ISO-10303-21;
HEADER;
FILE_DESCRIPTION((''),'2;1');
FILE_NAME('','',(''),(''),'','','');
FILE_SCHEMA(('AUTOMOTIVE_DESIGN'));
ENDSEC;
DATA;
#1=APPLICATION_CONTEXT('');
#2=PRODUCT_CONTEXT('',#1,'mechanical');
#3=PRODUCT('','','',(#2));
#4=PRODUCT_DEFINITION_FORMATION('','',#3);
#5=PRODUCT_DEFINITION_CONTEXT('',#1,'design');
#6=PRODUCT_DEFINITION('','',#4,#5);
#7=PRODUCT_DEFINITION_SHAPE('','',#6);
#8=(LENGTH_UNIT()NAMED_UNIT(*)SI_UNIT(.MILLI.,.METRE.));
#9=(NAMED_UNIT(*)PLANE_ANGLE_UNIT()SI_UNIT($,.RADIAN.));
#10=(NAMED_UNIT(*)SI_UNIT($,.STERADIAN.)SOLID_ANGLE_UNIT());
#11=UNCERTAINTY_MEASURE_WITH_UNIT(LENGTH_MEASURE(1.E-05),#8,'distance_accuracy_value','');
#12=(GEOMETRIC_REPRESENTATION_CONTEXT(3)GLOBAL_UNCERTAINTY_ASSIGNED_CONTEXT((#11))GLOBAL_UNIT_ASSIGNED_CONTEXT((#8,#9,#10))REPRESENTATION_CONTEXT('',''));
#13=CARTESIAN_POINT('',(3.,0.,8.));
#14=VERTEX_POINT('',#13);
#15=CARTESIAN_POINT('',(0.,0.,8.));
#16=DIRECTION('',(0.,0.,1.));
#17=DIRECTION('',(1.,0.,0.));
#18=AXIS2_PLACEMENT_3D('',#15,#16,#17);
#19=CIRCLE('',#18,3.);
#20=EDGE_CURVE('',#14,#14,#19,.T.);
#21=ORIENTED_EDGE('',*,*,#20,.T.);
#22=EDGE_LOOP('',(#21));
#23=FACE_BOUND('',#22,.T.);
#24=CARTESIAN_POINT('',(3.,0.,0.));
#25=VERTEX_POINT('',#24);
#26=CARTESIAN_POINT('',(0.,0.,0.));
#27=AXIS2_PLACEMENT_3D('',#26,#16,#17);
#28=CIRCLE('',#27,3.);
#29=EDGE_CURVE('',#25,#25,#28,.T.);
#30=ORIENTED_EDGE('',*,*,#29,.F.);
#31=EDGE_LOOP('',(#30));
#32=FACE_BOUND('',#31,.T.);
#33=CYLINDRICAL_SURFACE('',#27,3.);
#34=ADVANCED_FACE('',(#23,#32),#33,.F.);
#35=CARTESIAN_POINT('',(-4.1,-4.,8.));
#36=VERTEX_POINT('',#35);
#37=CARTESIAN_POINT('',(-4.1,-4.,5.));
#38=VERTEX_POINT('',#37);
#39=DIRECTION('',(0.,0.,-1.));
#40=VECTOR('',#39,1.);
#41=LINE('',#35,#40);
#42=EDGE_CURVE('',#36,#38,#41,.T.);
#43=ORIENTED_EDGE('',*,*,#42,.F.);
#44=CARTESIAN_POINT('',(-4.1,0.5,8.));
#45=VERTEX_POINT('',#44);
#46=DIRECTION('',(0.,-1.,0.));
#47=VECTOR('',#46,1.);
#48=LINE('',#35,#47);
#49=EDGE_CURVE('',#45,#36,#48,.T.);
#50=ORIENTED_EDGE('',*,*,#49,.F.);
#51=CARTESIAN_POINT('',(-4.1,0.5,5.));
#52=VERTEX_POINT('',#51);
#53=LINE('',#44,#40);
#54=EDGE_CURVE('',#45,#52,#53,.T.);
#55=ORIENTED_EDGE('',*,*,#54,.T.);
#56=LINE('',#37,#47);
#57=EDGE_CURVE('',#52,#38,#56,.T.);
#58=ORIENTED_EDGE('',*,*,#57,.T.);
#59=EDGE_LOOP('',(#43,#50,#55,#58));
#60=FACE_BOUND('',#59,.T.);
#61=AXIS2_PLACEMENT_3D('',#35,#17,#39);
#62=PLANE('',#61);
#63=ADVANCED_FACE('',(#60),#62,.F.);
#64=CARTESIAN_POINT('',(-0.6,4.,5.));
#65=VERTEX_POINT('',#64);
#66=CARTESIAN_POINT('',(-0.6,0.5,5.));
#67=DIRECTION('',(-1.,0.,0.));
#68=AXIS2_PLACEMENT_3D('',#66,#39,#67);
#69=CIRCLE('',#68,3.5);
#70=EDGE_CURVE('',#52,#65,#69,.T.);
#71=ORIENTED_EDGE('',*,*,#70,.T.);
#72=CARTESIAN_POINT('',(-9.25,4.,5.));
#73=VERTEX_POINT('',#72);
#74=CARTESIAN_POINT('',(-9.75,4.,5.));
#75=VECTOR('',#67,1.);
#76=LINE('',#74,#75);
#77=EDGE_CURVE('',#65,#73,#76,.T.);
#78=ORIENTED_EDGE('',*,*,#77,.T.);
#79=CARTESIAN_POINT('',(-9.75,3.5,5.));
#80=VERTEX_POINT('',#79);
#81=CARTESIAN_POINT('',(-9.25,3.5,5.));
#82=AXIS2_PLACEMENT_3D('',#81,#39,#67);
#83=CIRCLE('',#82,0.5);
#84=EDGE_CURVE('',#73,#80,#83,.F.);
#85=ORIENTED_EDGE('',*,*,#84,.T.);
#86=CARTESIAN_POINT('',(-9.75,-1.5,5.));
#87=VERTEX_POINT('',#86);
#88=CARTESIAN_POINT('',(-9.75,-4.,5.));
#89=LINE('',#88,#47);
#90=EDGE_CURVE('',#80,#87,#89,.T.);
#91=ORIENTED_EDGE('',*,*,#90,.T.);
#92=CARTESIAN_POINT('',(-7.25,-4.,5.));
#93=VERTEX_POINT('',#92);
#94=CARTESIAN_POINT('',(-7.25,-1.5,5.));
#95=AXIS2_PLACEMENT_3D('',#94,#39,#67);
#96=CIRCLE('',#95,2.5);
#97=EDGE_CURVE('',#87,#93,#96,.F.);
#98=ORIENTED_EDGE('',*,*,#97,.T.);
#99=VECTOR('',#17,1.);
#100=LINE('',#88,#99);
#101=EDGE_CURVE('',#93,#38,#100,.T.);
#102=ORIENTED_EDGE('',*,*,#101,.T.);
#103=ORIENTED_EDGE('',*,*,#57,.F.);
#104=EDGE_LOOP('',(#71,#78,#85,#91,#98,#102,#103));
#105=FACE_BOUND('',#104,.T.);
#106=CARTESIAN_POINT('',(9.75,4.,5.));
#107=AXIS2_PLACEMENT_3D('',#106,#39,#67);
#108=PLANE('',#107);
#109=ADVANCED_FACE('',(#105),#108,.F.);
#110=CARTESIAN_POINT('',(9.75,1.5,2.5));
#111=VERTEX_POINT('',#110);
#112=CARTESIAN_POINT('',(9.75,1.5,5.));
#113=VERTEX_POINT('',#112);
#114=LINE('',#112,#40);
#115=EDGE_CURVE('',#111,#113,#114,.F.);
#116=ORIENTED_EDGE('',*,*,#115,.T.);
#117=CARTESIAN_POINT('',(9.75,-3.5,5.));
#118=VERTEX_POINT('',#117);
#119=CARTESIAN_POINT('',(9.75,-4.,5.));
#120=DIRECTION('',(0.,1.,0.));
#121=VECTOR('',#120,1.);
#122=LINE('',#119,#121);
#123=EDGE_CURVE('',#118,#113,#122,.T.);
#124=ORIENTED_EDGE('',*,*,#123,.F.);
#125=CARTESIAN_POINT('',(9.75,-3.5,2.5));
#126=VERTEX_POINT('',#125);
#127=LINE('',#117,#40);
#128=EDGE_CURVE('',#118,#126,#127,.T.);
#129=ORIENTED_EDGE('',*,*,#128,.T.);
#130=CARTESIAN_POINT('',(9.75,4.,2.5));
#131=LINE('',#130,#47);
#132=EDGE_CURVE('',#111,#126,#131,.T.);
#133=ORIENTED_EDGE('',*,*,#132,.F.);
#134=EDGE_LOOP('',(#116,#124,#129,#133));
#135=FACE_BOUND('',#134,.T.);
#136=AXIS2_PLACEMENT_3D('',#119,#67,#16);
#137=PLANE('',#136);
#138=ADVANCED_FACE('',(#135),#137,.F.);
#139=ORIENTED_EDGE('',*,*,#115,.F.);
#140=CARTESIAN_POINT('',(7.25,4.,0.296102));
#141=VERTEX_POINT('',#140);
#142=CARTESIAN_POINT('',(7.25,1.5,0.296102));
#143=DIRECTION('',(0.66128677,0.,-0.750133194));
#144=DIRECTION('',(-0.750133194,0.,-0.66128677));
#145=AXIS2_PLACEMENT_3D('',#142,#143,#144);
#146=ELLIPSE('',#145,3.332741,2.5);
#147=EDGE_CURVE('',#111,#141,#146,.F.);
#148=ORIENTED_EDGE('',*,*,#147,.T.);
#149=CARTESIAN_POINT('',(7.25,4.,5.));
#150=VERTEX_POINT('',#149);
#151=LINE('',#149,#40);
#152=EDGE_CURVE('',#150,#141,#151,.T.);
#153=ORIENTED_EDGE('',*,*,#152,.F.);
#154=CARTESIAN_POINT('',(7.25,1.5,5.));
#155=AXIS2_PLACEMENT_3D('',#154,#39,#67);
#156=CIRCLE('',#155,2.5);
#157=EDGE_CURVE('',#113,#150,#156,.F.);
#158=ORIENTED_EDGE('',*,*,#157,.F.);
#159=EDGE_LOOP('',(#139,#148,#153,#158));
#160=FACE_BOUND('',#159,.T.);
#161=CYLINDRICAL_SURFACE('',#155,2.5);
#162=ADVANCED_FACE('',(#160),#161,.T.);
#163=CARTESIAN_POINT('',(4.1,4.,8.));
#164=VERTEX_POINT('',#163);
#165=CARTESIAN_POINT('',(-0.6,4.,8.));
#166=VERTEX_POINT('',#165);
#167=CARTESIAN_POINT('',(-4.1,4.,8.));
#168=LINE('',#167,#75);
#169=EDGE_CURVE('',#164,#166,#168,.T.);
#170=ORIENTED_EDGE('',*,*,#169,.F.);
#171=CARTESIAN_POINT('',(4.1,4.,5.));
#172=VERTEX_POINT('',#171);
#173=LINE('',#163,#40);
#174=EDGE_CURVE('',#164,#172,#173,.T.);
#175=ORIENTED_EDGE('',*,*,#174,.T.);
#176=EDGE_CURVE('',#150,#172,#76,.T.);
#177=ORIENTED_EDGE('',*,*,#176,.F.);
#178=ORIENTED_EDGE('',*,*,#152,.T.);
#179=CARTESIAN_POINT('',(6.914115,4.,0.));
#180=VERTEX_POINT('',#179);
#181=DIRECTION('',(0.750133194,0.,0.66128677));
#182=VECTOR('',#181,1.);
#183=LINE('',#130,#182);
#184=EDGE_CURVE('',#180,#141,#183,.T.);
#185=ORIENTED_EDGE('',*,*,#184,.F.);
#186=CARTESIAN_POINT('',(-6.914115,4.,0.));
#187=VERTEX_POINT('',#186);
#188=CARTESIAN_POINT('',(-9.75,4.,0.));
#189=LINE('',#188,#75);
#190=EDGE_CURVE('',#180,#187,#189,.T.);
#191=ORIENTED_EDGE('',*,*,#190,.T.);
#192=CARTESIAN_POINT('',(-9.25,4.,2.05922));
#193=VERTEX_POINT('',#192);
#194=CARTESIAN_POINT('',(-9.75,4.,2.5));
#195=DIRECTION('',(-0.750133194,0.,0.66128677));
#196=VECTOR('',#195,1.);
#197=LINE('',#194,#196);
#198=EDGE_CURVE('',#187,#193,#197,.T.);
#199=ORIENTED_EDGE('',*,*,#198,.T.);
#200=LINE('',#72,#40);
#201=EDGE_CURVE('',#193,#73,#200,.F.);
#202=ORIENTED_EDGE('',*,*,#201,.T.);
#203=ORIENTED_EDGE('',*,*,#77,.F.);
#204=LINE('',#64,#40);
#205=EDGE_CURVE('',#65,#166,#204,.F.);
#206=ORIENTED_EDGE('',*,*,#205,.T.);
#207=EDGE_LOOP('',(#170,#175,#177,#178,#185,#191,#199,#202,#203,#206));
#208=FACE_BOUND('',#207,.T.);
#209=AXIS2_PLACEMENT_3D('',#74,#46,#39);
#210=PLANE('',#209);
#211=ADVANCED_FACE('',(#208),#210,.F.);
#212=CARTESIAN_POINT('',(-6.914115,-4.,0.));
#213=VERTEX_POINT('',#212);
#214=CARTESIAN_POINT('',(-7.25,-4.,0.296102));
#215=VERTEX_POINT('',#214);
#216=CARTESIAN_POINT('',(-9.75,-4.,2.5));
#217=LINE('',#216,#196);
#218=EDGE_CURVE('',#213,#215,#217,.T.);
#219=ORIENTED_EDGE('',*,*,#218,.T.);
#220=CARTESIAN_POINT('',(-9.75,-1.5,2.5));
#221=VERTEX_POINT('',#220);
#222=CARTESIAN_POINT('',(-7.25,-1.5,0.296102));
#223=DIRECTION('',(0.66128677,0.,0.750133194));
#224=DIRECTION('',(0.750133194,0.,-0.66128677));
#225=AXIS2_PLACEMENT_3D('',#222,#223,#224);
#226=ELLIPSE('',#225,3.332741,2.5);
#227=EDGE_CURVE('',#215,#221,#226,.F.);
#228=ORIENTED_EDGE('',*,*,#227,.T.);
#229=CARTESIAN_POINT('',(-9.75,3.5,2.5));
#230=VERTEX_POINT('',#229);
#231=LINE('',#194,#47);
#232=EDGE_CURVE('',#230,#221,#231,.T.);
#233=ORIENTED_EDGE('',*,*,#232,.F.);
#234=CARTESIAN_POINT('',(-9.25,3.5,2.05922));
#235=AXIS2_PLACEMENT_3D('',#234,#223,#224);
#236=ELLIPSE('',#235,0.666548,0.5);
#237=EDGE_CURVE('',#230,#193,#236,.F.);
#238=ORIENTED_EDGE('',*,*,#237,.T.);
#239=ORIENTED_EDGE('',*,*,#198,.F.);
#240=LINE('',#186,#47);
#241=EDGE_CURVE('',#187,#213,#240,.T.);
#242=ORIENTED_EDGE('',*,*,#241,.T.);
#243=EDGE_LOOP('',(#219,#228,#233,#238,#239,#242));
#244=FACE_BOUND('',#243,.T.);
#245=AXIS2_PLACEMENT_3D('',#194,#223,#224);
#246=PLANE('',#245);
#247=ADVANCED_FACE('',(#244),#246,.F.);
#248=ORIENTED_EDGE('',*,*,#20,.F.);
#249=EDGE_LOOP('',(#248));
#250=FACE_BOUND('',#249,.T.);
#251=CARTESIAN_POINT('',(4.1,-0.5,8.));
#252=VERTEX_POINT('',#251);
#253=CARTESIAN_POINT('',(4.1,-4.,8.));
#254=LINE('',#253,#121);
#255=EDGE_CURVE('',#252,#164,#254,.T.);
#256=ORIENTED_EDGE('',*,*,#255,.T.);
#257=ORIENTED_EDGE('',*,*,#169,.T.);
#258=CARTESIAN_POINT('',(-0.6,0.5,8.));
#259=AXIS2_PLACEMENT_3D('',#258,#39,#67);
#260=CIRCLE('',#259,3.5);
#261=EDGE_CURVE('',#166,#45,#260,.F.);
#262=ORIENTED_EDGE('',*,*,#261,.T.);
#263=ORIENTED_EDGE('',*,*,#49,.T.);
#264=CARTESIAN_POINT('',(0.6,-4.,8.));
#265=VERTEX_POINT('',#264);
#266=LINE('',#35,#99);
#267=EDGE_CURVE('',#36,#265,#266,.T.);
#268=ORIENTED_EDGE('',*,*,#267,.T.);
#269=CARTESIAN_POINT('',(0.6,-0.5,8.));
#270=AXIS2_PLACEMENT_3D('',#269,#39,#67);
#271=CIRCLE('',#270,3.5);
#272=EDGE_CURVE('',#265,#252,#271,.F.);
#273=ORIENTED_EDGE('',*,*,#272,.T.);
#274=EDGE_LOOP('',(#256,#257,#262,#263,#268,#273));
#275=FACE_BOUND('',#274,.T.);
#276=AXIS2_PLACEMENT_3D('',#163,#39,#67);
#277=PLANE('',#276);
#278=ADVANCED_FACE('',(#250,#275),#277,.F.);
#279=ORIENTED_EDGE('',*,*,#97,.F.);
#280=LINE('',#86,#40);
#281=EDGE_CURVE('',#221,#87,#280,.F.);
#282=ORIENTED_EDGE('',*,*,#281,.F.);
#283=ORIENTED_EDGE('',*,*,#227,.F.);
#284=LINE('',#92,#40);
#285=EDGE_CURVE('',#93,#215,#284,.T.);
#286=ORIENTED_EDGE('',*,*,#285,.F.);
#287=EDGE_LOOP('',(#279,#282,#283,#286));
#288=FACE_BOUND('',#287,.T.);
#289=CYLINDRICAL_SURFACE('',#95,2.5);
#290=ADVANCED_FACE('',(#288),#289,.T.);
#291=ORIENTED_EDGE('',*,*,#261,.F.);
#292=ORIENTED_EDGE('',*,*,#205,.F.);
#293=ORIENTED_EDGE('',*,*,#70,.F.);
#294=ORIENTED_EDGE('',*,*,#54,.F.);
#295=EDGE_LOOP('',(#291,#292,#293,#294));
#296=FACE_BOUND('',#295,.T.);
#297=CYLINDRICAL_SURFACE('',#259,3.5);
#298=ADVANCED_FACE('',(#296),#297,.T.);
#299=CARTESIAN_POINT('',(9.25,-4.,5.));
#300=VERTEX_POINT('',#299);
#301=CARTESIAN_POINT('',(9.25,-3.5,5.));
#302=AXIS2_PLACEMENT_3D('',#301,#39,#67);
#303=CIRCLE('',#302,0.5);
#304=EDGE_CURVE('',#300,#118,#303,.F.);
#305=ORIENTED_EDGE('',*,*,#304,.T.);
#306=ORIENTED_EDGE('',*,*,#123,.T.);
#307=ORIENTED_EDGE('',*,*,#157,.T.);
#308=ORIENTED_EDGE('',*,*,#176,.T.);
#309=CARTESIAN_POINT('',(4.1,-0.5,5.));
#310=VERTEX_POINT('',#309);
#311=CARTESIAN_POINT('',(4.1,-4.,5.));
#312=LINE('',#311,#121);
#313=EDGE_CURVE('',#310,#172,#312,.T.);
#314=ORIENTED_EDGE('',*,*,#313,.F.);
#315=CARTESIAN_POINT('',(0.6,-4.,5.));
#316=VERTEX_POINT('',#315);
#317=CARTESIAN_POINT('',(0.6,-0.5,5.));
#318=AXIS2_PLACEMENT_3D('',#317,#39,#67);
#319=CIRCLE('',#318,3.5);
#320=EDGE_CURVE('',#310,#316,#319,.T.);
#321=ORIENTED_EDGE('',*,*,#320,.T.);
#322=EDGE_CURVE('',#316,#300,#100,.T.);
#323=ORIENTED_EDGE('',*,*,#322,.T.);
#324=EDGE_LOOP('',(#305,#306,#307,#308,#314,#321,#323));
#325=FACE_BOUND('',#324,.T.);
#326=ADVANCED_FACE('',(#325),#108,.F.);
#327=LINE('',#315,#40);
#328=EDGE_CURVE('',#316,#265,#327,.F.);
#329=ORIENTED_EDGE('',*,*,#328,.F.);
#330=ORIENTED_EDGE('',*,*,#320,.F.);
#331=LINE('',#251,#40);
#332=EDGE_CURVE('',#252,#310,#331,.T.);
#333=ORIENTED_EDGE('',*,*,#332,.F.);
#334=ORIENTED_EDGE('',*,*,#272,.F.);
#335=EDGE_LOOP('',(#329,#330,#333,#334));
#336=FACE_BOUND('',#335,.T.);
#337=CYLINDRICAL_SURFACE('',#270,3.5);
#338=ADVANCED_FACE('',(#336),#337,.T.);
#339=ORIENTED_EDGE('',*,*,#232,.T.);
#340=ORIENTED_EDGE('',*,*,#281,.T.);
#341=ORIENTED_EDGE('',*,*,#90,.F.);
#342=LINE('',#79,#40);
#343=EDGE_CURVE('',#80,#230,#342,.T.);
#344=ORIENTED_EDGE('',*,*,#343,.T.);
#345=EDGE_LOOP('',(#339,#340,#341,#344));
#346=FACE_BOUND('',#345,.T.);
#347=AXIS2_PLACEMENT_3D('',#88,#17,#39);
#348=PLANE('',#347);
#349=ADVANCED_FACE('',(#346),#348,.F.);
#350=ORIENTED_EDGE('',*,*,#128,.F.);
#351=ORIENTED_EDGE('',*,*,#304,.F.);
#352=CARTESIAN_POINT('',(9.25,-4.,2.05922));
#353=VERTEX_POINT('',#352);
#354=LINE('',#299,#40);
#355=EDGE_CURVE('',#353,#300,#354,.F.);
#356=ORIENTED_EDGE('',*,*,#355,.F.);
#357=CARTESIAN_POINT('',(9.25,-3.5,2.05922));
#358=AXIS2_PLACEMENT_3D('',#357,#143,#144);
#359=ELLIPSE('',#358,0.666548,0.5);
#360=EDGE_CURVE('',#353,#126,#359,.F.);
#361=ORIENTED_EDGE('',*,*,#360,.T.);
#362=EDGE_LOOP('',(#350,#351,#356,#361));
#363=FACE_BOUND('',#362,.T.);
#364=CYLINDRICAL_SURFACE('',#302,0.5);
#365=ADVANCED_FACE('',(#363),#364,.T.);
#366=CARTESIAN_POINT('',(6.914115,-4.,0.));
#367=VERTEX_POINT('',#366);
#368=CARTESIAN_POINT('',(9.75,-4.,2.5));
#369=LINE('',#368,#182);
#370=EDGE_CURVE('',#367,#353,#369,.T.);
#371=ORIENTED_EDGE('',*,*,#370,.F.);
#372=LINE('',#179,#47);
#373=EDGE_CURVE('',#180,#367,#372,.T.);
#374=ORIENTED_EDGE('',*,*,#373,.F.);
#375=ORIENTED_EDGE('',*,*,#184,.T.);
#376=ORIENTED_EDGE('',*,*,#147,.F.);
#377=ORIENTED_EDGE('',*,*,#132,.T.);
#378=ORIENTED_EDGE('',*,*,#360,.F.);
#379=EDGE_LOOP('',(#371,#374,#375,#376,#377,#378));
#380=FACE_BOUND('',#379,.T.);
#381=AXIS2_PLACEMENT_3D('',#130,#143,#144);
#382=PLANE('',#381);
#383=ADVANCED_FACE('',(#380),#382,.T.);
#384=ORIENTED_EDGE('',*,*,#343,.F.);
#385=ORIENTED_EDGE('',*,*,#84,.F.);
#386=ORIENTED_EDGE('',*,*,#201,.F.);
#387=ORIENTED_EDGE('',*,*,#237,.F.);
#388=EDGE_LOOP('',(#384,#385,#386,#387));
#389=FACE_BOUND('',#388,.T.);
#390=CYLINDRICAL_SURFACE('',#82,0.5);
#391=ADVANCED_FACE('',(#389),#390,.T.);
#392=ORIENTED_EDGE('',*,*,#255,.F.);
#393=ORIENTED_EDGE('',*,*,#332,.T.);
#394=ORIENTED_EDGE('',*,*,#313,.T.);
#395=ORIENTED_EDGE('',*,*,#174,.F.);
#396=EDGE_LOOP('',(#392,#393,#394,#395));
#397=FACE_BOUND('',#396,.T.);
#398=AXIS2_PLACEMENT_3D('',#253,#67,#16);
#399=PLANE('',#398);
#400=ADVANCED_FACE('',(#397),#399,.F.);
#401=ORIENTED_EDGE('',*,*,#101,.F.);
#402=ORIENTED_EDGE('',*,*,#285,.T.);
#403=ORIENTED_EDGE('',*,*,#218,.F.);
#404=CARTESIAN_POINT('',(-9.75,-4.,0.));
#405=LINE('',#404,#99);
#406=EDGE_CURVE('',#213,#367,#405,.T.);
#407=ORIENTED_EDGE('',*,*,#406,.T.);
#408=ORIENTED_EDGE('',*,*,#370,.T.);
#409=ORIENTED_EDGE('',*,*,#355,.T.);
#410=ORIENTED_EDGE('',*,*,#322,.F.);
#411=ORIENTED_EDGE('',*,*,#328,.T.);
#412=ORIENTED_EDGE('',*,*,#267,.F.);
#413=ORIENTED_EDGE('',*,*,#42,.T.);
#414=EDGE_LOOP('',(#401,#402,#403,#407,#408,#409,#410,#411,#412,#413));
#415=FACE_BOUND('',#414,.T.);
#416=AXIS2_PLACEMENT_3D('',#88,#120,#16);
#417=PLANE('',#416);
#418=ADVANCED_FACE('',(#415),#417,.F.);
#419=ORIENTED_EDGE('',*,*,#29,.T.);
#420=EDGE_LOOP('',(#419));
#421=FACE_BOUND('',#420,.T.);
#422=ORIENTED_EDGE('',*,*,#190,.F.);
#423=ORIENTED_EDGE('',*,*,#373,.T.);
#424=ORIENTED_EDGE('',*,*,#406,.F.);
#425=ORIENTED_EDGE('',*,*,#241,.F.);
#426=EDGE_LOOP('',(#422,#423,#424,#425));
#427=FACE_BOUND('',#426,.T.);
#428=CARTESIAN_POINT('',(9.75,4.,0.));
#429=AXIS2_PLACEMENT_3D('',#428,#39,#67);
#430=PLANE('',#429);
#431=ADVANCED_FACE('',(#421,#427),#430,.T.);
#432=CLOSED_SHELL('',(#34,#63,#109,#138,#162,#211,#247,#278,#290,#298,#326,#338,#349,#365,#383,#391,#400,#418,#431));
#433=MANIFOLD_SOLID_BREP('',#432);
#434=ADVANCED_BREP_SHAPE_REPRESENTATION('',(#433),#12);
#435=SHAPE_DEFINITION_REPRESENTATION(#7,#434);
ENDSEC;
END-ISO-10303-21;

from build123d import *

# Parameters (mm, degrees)
SKETCH_1_W          = 19.5
SKETCH_1_H          = 8
EXTRUDE_1_DEPTH     = 5
FILLET_1_R          = 2.5
FILLET_2_R          = 0.5
CUT_EXTRUDE_2_DEPTH = 14.566963551
SKETCH_3_W          = 8.2
SKETCH_3_H          = 8
EXTRUDE_2_DEPTH     = 3
FILLET_3_R          = 3.5
SKETCH_4_R          = 3
CUT_EXTRUDE_3_DEPTH = 14.231118622


with BuildPart() as part:
    # 草图1 → 凸台-拉伸1 (new body)
    with BuildSketch(Plane.XY):
        Rectangle(SKETCH_1_W, SKETCH_1_H)
    extrude(amount=EXTRUDE_1_DEPTH)

    # 圆角1
    fillet_1_edges = [part.edges().sort_by_distance(p)[0] for p in [
        (-9.75, -4, 2.5),
        (9.75, 4, 2.5),
    ]]
    fillet(fillet_1_edges, radius=FILLET_1_R)

    # 圆角2
    fillet_2_edges = [part.edges().sort_by_distance(p)[0] for p in [
        (9.75, -4, 2.5),
        (-9.75, 4, 2.5),
    ]]
    fillet(fillet_2_edges, radius=FILLET_2_R)

    # 草图2 → 切除-拉伸2 (cut, through all)
    with BuildSketch(Plane.XZ.offset(4)):
        Polygon((-9.75, 2.5), (-6.914115374, 0), (-9.75, 0), align=None)
    cut_extrude_2 = extrude(amount=-CUT_EXTRUDE_2_DEPTH, mode=Mode.SUBTRACT)

    # 镜向1: 切除-拉伸2 across plane
    add(cut_extrude_2.mirror(Plane(origin=(0, 0, 0), x_dir=(0, 0, 1), z_dir=(1, 0, 0))), mode=Mode.SUBTRACT)

    # 草图3 → 凸台-拉伸2 (add)
    with BuildSketch(Plane.XY.offset(5)):
        Rectangle(SKETCH_3_W, SKETCH_3_H)
    extrude(amount=EXTRUDE_2_DEPTH)

    # 圆角3
    fillet_3_edges = [part.edges().sort_by_distance(p)[0] for p in [
        (4.1, -4, 6.5),
        (-4.1, 4, 6.5),
    ]]
    fillet(fillet_3_edges, radius=FILLET_3_R)

    # 草图4 → 切除-拉伸3 (cut, through all)
    with BuildSketch(Plane.XY.offset(8)):
        Circle(SKETCH_4_R)
    extrude(amount=-CUT_EXTRUDE_3_DEPTH, mode=Mode.SUBTRACT)


solid = part.part
